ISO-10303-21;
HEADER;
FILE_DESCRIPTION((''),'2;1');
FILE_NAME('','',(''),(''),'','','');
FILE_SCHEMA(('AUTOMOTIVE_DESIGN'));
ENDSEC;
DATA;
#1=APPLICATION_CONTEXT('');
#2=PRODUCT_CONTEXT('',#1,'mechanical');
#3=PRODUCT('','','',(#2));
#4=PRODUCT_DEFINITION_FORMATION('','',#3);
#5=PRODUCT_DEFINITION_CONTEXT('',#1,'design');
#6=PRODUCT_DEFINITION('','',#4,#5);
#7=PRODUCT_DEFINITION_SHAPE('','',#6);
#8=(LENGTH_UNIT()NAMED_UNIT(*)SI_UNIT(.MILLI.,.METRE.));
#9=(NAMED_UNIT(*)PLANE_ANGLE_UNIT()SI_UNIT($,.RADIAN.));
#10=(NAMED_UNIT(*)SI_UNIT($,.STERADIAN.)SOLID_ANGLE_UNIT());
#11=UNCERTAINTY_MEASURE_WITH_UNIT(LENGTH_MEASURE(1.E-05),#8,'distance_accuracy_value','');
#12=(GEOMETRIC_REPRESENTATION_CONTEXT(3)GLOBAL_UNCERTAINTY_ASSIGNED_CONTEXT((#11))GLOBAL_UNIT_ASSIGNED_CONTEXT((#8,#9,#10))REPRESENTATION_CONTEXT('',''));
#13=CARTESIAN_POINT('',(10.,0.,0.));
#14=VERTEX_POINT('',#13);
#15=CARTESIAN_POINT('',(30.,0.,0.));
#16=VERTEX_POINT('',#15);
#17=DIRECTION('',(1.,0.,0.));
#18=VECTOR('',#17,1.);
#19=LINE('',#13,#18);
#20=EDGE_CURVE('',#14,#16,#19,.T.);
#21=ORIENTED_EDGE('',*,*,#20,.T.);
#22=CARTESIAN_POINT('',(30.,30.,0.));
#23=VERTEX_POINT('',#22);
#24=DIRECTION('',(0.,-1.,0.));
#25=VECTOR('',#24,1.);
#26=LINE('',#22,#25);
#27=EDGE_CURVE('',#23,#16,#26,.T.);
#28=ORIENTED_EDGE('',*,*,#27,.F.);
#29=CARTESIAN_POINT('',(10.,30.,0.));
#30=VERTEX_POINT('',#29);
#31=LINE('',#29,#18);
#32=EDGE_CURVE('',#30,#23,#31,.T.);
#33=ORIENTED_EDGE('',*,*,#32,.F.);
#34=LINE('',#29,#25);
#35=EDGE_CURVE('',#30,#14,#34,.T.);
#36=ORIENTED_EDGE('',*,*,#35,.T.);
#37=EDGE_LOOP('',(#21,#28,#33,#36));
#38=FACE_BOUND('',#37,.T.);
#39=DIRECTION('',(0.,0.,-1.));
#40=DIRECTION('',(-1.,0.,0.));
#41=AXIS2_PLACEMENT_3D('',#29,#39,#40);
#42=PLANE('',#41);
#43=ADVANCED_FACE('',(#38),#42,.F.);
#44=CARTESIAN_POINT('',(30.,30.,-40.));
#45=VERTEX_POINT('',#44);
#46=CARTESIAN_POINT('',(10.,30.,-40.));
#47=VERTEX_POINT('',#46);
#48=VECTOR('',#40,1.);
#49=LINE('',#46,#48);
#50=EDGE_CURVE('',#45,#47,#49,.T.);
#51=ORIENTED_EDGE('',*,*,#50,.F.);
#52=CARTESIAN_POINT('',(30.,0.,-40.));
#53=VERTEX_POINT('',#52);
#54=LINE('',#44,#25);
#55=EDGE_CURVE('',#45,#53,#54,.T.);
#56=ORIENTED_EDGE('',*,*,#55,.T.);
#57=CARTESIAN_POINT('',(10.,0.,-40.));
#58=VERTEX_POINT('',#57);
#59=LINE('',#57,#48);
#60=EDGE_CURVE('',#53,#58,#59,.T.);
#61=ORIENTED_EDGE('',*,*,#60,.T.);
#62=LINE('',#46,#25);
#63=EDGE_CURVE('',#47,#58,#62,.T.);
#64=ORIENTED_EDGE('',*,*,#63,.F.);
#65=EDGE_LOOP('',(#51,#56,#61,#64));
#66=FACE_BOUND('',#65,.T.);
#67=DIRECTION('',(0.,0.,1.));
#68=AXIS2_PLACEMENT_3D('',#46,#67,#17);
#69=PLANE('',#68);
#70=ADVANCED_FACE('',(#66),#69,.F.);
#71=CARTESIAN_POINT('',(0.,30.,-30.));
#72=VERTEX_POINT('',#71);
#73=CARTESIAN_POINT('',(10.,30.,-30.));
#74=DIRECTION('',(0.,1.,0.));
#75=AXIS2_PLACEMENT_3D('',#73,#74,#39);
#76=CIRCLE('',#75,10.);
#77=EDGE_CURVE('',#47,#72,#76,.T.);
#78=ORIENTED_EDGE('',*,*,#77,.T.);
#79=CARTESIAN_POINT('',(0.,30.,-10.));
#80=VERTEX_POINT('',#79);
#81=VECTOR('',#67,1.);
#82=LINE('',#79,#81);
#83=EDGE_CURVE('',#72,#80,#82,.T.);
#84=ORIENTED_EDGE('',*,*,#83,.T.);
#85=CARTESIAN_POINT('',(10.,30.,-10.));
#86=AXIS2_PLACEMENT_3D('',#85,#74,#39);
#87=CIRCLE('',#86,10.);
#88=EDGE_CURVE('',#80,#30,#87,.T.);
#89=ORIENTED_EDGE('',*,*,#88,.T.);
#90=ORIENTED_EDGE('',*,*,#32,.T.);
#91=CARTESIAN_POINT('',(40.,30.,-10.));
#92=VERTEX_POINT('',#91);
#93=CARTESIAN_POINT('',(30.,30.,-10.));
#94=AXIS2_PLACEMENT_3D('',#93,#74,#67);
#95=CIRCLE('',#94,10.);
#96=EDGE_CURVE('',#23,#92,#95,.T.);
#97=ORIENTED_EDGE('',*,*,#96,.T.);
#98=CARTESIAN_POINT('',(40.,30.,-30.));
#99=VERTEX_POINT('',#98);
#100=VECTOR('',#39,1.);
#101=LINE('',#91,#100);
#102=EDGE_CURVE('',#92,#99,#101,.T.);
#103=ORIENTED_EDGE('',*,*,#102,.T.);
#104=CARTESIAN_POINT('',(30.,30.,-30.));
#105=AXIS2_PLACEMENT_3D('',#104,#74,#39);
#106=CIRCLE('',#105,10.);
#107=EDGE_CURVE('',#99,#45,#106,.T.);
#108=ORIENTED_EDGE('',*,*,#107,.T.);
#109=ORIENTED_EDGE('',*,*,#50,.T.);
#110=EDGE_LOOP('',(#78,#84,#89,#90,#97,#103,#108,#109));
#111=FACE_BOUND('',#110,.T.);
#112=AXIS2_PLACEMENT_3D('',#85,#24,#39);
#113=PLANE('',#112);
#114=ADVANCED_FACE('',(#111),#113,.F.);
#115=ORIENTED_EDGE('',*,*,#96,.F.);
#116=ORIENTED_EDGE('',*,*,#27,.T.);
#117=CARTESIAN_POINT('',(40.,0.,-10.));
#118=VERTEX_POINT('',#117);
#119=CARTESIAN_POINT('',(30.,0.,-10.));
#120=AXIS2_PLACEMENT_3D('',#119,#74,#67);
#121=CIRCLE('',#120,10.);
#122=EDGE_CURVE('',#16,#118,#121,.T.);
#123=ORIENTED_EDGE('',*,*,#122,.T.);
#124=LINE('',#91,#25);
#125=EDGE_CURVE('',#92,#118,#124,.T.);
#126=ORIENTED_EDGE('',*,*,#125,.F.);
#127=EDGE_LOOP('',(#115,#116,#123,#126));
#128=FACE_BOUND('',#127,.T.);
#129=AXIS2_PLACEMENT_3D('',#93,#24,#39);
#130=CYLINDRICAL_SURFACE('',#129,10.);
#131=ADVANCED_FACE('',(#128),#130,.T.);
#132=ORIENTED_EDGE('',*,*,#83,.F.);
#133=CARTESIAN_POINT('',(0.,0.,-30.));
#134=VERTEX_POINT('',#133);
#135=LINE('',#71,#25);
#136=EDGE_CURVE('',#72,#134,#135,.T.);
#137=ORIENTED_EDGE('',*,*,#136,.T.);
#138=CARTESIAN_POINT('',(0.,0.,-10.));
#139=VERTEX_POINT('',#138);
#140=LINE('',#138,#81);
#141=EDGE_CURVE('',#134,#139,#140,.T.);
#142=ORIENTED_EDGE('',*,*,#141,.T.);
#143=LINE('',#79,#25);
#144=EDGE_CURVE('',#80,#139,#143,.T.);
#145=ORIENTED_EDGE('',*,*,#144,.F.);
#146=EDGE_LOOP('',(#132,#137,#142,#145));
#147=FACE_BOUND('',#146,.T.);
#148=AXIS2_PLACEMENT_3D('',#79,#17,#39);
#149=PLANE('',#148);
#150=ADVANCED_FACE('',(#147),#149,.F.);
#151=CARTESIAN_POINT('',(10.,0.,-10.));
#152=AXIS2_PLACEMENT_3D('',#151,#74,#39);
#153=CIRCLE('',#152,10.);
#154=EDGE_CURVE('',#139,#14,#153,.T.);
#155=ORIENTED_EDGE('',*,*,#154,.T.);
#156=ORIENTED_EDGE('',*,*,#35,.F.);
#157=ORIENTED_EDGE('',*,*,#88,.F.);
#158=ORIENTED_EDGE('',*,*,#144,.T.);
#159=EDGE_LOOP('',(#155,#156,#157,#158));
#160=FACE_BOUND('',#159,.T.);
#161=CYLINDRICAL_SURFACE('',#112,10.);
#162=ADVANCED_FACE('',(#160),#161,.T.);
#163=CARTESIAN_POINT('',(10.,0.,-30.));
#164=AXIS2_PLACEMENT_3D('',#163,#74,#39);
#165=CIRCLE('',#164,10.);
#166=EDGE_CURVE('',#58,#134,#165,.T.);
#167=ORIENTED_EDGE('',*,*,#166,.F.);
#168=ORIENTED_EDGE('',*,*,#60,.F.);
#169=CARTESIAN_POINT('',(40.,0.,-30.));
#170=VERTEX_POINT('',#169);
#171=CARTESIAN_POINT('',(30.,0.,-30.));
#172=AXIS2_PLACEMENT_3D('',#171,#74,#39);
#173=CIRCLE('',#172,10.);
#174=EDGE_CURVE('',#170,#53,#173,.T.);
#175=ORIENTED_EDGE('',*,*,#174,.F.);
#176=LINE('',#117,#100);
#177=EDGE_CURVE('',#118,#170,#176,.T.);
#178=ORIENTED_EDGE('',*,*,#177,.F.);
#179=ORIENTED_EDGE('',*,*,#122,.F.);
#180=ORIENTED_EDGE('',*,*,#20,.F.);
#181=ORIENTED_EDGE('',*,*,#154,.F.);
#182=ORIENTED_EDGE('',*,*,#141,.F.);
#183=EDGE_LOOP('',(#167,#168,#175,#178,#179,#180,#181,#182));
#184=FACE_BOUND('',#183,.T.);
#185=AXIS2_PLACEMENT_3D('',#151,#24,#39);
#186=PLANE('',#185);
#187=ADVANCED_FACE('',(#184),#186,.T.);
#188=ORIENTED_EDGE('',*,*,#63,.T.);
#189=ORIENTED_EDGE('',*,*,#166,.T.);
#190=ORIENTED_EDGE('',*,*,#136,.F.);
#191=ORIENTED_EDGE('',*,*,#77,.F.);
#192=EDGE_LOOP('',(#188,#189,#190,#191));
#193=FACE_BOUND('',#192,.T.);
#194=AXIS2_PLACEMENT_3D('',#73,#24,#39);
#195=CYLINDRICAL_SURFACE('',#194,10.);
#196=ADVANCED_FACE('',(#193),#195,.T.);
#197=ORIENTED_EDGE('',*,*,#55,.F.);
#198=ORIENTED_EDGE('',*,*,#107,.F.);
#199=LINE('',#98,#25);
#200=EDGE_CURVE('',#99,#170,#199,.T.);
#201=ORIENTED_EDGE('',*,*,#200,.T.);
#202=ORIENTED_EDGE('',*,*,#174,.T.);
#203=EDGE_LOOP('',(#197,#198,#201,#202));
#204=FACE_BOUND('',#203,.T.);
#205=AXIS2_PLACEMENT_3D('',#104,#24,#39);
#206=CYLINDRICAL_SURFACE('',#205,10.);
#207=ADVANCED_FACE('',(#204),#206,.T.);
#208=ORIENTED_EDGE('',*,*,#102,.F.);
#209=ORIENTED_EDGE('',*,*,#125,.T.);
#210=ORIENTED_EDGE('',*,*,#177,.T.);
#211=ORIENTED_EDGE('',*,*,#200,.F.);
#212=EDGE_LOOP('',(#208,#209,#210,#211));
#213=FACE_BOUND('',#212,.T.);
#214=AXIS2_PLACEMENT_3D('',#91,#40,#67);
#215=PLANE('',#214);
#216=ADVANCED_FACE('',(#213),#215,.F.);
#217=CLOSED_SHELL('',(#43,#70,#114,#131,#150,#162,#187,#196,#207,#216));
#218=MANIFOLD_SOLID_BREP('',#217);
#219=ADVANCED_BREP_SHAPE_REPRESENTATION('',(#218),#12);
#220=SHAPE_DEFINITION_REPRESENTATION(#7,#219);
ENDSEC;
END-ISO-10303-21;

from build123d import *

# Parameters (mm, degrees)
BOSS_EXTRUDE1_DEPTH = 30


with BuildPart() as part:
    # Sketch1 → Boss-Extrude1 (new body)
    with BuildSketch(Plane(origin=(0, 0, 0), x_dir=(1, 0, 0), z_dir=(0, 1, 0))):
        with BuildLine():
            Line((10, 0), (30, 0))
            ThreePointArc((30, 0), (37.071067812, 2.928932188), (40, 10))
            Line((40, 10), (40, 30))
            ThreePointArc((40, 30), (37.071067812, 37.071067812), (30, 40))
            Line((30, 40), (10, 40))
            ThreePointArc((10, 40), (2.928932188, 37.071067812), (0, 30))
            Line((0, 30), (0, 10))
            ThreePointArc((0, 10), (2.928932188, 2.928932188), (10, 0))
        make_face()
    extrude(amount=BOSS_EXTRUDE1_DEPTH)


solid = part.part
